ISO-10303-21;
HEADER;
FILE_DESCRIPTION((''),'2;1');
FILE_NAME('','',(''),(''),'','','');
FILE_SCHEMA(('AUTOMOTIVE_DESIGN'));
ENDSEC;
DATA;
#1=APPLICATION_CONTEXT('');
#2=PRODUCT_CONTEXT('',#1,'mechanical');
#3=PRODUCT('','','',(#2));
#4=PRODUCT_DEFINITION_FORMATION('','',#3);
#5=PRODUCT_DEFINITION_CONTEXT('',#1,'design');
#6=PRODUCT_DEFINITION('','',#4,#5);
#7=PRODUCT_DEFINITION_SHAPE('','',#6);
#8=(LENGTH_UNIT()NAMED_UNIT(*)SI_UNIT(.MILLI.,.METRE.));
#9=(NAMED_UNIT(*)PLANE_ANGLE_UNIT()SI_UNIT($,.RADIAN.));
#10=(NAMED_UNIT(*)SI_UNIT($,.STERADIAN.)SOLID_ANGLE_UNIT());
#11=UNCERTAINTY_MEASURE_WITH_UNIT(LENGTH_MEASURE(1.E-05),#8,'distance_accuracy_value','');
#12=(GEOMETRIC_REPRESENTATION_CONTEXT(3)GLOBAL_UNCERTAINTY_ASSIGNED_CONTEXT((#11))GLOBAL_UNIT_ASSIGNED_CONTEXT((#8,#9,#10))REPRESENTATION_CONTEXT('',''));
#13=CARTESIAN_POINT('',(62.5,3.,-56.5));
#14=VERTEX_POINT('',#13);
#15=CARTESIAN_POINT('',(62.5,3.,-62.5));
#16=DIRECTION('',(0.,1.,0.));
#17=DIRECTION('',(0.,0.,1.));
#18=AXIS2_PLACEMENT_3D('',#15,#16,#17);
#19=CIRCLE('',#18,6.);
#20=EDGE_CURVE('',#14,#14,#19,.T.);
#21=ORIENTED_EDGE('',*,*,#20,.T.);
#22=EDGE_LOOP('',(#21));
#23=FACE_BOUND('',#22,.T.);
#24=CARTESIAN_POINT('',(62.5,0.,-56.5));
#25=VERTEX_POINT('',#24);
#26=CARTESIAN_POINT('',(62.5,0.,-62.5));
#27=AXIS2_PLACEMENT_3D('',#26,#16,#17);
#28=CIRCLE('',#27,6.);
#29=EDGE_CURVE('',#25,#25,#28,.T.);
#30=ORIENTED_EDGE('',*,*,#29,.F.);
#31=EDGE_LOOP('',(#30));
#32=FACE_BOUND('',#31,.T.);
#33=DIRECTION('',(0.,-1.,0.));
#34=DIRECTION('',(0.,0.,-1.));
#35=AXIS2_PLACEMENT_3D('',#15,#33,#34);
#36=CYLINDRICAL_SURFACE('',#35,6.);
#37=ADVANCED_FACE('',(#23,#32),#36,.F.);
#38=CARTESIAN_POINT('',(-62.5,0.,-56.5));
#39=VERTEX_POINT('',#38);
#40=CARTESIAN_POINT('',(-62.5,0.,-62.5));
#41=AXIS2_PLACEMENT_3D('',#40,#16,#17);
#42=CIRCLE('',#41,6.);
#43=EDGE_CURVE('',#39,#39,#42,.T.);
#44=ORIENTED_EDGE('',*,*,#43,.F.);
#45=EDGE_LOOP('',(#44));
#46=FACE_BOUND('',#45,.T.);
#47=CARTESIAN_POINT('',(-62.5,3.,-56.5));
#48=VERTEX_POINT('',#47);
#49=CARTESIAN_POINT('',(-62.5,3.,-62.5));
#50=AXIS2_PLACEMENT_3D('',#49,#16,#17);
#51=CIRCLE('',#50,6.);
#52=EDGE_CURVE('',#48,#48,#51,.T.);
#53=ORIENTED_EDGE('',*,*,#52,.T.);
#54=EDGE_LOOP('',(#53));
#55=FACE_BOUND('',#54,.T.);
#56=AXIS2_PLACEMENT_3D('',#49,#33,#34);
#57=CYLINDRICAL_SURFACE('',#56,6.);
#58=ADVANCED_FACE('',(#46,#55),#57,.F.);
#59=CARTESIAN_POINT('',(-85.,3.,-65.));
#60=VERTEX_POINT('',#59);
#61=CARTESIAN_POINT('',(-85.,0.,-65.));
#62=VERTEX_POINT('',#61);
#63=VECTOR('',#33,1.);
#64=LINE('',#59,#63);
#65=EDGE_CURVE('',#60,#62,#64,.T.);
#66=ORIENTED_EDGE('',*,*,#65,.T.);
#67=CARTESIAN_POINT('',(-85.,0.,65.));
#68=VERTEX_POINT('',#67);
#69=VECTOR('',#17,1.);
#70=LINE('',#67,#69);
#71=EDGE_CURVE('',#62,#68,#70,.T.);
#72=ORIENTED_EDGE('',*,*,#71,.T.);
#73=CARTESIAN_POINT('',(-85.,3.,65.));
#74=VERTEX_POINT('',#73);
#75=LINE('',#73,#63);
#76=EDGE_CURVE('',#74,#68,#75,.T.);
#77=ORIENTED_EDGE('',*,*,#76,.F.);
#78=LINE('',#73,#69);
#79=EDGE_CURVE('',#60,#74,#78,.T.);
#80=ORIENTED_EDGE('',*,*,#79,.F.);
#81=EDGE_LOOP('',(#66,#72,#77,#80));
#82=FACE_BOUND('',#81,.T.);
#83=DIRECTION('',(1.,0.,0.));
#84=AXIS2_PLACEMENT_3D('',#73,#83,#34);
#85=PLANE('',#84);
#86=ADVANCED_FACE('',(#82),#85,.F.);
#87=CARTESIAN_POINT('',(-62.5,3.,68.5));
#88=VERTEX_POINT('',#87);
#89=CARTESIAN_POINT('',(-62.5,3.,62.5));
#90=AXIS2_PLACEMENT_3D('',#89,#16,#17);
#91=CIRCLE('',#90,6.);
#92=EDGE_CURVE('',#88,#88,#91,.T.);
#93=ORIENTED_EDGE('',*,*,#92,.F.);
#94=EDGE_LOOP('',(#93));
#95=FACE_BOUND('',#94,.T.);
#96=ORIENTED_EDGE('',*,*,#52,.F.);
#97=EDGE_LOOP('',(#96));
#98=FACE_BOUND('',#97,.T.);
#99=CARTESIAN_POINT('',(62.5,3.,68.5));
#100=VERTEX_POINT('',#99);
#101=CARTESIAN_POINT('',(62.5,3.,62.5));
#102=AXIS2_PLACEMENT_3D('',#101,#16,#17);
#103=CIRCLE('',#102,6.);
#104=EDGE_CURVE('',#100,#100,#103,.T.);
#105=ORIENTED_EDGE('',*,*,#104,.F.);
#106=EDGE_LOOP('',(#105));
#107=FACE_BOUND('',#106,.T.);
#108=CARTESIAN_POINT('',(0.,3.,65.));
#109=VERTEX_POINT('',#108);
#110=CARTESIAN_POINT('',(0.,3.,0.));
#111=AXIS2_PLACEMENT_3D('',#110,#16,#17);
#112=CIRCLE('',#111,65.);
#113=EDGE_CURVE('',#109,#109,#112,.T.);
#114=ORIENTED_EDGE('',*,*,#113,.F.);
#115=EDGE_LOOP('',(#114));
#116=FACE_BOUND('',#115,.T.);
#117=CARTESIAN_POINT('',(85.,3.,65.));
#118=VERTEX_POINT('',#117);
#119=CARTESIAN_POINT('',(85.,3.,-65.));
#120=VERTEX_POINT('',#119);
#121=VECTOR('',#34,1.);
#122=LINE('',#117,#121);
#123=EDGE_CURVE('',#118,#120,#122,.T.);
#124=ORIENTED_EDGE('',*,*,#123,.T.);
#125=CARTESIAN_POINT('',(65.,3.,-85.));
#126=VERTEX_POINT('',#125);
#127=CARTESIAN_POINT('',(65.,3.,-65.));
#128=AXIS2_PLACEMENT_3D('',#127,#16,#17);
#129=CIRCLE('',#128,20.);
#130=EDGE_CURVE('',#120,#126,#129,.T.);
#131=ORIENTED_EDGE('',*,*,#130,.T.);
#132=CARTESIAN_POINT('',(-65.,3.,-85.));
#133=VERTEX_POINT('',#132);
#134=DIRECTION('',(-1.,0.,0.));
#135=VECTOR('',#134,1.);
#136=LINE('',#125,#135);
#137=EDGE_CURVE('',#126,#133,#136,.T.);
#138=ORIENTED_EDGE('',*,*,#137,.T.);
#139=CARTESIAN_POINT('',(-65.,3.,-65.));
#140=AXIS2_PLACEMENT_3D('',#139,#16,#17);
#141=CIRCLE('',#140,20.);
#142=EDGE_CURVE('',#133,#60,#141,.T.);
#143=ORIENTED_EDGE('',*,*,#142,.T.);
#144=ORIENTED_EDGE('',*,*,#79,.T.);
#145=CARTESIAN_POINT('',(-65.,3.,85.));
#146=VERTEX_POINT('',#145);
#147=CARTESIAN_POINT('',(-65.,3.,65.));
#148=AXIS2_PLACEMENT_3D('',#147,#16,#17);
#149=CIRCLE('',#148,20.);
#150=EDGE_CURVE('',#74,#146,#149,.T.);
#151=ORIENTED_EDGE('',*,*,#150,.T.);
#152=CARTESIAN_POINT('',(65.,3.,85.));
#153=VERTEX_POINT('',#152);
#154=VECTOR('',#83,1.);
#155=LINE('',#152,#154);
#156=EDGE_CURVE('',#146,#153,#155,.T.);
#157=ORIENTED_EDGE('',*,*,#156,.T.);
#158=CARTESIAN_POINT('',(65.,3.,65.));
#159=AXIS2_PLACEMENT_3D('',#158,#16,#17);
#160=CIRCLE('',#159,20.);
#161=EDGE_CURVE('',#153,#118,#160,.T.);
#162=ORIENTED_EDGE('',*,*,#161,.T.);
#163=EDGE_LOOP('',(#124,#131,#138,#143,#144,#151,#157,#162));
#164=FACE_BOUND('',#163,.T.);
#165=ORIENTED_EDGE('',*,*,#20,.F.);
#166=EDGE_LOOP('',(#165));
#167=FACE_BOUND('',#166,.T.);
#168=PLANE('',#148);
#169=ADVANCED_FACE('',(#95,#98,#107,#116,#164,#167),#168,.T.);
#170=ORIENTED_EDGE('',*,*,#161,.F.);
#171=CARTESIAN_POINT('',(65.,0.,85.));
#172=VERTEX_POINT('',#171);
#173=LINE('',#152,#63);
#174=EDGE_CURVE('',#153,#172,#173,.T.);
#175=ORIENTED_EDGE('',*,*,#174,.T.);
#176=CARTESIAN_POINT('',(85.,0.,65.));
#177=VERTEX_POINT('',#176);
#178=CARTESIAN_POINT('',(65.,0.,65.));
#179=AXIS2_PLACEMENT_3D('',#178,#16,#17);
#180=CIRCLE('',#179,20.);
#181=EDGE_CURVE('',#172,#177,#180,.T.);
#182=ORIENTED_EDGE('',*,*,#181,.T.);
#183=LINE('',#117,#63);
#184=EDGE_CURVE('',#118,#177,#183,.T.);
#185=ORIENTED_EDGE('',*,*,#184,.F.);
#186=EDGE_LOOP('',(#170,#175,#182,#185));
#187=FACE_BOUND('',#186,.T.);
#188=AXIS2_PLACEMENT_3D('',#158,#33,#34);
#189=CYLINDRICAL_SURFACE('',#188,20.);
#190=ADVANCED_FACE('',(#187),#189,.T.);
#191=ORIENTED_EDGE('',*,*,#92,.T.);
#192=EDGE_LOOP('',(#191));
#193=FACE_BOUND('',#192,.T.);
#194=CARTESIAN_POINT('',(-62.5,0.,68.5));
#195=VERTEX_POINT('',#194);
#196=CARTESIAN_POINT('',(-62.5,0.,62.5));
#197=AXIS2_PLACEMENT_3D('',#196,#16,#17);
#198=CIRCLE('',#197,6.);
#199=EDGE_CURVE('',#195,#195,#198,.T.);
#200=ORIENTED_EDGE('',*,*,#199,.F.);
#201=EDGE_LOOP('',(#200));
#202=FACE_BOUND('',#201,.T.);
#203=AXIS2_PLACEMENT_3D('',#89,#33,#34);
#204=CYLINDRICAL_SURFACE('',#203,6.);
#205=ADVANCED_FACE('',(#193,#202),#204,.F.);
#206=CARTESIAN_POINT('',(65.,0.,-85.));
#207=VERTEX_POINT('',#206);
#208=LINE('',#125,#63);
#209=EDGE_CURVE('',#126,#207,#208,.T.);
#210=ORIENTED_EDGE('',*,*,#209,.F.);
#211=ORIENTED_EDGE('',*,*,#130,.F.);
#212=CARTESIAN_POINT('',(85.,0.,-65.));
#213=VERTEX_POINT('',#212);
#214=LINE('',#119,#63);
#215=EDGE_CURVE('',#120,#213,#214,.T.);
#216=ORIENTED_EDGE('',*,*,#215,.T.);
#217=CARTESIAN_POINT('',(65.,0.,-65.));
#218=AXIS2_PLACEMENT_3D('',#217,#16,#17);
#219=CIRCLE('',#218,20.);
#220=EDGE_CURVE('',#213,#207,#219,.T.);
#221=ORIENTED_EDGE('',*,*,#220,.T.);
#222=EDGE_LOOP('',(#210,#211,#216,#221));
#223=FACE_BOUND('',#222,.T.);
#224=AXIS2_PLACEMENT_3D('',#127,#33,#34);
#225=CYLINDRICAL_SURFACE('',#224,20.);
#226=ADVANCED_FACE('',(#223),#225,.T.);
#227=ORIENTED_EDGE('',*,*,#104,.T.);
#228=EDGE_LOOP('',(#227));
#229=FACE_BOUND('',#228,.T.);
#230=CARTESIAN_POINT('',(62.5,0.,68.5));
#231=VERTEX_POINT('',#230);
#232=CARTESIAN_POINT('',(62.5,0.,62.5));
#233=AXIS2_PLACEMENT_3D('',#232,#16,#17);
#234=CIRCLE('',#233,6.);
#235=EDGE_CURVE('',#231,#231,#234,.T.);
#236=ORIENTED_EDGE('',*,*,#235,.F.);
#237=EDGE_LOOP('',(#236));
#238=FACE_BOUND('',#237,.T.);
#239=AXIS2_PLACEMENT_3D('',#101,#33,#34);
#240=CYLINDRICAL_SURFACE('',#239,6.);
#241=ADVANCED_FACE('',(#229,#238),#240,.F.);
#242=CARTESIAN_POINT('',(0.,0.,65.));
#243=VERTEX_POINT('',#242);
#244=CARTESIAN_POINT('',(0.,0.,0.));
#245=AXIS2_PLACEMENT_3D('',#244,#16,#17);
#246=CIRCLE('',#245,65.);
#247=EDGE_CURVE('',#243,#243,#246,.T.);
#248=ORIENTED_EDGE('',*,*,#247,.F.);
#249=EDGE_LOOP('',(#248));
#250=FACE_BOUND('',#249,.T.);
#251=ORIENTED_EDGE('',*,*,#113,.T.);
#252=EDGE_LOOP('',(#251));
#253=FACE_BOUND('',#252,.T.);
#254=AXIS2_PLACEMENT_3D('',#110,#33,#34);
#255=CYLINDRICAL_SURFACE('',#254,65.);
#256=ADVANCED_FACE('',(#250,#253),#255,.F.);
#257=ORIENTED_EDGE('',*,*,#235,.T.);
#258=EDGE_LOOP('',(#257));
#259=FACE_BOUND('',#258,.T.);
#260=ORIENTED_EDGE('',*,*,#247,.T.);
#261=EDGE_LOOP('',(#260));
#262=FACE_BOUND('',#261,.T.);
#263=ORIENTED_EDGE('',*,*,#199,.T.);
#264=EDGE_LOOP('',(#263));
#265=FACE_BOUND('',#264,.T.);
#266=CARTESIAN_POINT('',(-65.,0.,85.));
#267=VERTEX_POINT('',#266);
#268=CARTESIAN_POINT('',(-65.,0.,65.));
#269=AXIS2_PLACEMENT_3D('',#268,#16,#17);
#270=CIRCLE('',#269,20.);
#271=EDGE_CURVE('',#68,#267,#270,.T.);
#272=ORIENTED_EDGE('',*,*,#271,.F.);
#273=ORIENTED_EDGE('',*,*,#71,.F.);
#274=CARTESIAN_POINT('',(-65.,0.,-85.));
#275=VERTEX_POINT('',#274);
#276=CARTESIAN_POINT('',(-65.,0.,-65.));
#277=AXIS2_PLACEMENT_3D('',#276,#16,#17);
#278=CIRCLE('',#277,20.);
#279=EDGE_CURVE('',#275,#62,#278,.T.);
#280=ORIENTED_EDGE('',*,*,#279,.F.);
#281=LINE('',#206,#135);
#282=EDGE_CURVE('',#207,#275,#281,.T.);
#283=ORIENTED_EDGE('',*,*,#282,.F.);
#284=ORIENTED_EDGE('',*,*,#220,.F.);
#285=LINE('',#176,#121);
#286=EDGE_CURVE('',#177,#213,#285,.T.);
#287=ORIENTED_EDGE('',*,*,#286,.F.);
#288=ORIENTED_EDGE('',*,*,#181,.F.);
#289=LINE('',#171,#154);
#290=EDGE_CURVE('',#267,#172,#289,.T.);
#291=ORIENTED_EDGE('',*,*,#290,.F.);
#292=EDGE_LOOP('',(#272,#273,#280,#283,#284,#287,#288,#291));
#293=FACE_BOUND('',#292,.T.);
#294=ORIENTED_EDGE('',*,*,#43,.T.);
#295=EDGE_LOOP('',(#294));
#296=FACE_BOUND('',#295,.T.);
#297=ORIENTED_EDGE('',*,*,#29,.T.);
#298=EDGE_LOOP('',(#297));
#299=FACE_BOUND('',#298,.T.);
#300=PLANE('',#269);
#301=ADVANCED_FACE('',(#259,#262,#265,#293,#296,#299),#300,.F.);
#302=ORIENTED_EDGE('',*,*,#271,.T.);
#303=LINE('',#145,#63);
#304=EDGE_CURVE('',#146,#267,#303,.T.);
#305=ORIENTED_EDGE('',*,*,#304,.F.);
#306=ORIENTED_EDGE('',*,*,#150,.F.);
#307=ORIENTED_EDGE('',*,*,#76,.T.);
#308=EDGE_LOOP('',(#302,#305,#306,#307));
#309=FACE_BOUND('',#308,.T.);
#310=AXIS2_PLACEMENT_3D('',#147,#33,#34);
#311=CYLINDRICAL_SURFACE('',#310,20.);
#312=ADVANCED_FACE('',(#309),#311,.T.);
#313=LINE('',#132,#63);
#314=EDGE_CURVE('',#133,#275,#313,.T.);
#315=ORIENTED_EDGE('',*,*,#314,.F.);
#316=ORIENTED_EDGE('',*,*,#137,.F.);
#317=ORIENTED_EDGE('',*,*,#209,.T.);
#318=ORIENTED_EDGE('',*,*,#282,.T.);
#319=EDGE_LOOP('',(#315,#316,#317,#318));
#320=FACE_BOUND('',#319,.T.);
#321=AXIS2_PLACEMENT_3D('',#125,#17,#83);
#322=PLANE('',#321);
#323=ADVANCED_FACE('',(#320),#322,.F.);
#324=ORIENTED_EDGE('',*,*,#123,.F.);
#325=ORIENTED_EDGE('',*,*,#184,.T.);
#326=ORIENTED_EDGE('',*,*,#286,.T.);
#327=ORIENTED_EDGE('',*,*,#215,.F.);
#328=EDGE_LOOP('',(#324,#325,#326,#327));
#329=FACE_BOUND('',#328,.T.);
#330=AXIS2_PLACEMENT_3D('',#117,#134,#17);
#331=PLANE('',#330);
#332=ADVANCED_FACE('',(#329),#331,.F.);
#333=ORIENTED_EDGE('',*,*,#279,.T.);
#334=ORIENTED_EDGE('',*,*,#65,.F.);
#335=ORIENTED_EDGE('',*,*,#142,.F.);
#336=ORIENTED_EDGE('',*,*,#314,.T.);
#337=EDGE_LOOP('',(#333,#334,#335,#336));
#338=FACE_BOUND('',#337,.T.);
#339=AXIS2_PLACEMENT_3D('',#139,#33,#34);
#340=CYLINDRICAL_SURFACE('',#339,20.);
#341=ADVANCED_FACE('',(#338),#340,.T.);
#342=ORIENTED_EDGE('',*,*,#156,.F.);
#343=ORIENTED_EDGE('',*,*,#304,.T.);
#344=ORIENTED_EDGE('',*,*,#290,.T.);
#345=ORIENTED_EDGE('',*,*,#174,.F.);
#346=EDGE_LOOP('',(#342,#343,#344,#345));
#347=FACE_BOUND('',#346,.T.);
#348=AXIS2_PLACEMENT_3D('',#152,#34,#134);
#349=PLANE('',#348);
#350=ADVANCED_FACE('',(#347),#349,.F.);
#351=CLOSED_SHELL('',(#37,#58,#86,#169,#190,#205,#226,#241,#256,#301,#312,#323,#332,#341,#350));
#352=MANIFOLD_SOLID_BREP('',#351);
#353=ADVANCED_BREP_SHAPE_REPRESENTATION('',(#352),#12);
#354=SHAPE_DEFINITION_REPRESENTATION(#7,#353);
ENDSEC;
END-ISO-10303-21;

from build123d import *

# Parameters (mm, degrees)
SKETCH_1_R      = 6
SKETCH_1_R_2    = 65
EXTRUDE_1_DEPTH = 3


with BuildPart() as part:
    # Эскиз1 → Бобышка-Вытянуть1 (new body)
    with BuildSketch(Plane(origin=(0, 0, 0), x_dir=(1, 0, 0), z_dir=(0, 1, 0))):
        with BuildLine():
            Line((65, -85), (-65, -85))
            ThreePointArc((-65, -85), (-79.142135624, -79.142135624), (-85, -65))
            Line((-85, -65), (-85, 65))
            ThreePointArc((-85, 65), (-79.142135624, 79.142135624), (-65, 85))
            Line((-65, 85), (65, 85))
            ThreePointArc((65, 85), (79.142135624, 79.142135624), (85, 65))
            Line((85, 65), (85, -65))
            ThreePointArc((85, -65), (79.142135624, -79.142135624), (65, -85))
        make_face()
        with Locations(Location((-62.5, -62.5, 0), (0, 0, 270))):
            Circle(SKETCH_1_R, mode=Mode.SUBTRACT)
        with Locations(Location((-62.5, 62.5, 0), (0, 0, 270))):
            Circle(SKETCH_1_R, mode=Mode.SUBTRACT)
        with Locations(Location((62.5, 62.5, 0), (0, 0, 270))):
            Circle(SKETCH_1_R, mode=Mode.SUBTRACT)
        with Locations(Location((62.5, -62.5, 0), (0, 0, 270))):
            Circle(SKETCH_1_R, mode=Mode.SUBTRACT)
        with Locations(Location((0, 0, 0), (0, 0, 270))):
            Circle(SKETCH_1_R_2, mode=Mode.SUBTRACT)
    extrude(amount=EXTRUDE_1_DEPTH)


solid = part.part
